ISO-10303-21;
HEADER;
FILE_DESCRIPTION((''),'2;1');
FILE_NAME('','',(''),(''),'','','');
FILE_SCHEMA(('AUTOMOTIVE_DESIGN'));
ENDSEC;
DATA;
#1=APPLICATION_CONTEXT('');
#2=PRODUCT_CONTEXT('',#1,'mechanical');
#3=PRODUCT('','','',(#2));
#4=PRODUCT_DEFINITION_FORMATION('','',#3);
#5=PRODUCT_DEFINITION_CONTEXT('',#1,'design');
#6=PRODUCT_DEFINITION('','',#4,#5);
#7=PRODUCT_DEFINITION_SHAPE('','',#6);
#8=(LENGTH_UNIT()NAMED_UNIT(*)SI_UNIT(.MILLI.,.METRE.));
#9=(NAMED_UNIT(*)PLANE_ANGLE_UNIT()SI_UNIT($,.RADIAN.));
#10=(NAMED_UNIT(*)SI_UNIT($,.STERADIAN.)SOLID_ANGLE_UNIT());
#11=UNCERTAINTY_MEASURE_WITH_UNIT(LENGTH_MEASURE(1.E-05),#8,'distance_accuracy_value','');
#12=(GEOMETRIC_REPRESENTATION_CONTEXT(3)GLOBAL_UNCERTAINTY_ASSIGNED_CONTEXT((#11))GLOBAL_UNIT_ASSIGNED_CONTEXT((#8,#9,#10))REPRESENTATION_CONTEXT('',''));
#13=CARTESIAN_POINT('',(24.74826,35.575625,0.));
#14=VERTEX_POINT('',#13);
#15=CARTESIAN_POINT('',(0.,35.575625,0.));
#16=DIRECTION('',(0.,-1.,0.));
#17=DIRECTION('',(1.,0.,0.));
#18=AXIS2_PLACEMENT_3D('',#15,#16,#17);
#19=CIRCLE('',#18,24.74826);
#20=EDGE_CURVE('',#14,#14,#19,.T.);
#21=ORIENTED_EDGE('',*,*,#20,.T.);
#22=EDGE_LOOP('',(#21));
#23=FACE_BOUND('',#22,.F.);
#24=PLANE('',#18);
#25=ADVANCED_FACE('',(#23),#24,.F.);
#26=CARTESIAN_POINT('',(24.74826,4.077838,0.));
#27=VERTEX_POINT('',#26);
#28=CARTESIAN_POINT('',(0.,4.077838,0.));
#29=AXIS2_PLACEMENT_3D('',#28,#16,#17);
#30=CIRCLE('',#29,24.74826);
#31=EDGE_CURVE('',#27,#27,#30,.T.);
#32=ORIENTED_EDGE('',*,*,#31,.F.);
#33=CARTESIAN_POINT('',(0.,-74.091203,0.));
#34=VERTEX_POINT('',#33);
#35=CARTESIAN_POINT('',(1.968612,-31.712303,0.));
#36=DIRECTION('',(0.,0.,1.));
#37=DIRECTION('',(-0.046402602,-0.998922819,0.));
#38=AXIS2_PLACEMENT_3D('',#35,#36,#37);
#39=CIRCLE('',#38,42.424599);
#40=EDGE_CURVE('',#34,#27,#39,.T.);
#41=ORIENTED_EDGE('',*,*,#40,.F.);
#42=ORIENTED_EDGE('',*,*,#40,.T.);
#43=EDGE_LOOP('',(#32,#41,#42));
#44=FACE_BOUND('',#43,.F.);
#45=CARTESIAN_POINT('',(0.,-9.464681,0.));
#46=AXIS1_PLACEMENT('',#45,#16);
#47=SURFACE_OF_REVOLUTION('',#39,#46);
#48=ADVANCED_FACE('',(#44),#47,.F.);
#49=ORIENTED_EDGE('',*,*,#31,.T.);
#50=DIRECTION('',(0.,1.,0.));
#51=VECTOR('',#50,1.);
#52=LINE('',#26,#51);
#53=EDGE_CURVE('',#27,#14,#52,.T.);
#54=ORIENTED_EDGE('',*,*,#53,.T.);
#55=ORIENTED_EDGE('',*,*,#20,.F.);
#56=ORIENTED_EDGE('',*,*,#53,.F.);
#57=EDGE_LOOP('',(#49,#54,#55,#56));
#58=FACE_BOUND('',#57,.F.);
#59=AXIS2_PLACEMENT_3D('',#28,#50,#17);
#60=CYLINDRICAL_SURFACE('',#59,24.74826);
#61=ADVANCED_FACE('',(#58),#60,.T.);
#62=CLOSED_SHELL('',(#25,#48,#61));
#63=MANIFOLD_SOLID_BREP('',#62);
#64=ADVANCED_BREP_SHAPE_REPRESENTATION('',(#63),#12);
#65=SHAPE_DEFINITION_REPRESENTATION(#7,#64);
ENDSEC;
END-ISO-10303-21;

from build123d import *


with BuildPart() as f1:
    # F0 (on Top) → F1 (revolve)
    with BuildSketch(Plane.XY):
        with BuildLine():
            Line((24.74826, 35.575625), (0, 35.575625))
            Line((0, 35.575625), (0, -74.091203))
            ThreePointArc((0, -74.091203), (42.414558, -44.517459), (24.74826, 4.077838))
            Line((24.74826, 4.077838), (24.74826, 35.575625))
        make_face()
    revolve(axis=Axis((0, -9.464681, 0), (0, -1, 0)))


solid = f1.part
